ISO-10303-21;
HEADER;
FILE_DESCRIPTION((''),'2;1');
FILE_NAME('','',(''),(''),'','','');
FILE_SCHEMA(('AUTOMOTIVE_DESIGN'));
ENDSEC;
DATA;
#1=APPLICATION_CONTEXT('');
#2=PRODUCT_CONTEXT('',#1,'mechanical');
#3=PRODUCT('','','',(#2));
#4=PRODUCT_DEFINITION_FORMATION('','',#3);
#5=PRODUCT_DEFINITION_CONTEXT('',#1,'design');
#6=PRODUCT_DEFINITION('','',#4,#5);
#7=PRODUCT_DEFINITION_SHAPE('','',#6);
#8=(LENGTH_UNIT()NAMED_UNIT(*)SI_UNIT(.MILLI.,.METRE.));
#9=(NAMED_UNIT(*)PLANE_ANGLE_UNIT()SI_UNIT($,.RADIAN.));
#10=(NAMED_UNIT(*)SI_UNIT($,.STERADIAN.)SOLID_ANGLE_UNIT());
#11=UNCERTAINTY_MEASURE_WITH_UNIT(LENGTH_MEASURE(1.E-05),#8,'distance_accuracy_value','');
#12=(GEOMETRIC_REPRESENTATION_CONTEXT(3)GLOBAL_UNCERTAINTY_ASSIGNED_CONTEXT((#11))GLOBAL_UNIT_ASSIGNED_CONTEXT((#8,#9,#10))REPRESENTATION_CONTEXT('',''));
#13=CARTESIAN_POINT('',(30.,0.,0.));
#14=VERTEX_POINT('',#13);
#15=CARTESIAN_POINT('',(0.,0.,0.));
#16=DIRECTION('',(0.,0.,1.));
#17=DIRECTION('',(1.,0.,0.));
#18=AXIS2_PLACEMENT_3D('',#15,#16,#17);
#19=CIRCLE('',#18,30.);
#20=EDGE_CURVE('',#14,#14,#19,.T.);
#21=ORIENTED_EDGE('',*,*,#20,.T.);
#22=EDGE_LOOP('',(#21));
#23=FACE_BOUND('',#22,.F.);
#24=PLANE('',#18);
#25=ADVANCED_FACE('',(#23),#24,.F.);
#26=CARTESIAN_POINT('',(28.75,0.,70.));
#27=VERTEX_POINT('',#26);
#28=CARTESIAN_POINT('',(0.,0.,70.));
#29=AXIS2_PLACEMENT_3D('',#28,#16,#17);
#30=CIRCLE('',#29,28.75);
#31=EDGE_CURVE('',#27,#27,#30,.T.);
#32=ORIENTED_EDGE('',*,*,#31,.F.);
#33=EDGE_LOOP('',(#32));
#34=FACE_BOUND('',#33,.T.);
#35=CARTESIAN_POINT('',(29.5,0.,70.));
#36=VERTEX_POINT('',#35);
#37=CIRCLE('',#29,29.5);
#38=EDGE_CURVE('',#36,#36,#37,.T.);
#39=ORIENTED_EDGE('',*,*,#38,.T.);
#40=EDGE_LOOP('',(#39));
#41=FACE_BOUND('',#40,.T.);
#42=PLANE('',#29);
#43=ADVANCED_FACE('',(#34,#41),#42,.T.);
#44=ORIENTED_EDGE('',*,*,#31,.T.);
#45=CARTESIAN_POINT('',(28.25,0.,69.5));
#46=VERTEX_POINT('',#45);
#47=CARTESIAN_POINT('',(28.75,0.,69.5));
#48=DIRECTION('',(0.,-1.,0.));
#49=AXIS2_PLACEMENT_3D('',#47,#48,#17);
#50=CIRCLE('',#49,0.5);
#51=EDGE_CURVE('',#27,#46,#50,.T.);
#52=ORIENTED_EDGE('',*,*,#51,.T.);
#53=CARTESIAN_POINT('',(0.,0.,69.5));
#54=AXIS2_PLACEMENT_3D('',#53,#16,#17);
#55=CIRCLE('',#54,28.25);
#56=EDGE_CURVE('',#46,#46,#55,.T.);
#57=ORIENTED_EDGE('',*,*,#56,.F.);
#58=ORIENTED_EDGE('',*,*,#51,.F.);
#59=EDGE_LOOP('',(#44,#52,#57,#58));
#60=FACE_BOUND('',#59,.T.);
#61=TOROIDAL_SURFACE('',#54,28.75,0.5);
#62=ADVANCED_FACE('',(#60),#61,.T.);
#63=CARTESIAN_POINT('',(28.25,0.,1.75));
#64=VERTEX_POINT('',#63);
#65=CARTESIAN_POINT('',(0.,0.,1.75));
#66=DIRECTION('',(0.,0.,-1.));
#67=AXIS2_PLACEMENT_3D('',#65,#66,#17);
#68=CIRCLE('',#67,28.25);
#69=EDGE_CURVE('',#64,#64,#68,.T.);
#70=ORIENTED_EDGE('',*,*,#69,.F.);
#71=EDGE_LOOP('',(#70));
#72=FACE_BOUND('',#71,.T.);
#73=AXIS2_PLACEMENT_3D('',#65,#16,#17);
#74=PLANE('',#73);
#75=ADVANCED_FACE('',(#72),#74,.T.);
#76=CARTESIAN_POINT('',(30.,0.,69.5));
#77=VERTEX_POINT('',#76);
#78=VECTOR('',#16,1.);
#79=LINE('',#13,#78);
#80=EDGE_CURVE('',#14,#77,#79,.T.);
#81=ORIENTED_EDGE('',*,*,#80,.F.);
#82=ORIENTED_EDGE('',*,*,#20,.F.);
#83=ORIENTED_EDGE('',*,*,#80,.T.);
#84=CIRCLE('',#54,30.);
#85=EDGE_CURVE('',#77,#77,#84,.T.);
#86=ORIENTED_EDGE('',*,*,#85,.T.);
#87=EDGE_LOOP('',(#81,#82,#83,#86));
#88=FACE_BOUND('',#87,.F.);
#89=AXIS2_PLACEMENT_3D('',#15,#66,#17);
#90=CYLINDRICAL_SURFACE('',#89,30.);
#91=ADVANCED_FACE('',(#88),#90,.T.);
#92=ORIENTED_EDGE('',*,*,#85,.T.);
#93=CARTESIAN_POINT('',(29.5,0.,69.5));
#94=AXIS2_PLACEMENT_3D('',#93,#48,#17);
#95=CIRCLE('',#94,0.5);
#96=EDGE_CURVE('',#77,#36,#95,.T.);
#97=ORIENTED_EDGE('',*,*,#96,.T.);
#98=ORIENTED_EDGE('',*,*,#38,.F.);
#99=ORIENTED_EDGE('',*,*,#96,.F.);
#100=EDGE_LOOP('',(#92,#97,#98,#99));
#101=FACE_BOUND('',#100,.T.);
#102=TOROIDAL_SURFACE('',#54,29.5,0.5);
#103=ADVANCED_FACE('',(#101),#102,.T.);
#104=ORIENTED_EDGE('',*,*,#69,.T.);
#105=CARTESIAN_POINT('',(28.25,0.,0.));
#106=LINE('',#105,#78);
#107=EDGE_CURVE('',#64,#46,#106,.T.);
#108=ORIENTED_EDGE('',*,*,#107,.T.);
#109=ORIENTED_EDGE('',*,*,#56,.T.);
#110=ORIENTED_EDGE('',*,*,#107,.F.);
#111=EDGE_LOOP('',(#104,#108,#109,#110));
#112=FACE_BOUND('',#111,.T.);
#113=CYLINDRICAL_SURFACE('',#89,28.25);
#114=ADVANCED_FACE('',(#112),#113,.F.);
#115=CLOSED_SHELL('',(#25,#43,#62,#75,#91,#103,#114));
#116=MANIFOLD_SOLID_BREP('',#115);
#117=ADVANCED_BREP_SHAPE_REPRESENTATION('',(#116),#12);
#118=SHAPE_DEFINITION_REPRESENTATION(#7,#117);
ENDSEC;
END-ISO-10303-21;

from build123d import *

# Parameters (mm, degrees)
F0_R     = 30
F1_DEPTH = 70
F2_T     = -1.75
F3_R     = 0.5


with BuildPart() as f1:
    # F0 (on Top) → F1 (new body)
    with BuildSketch(Plane.XY):
        Circle(F0_R)
    extrude(amount=F1_DEPTH)

    # F2
    f2_openings = [f1.faces().sort_by_distance(p)[0] for p in [
        (0, 0, 70),
    ]]
    offset(amount=F2_T, openings=f2_openings)

    # F3
    f3_edges = [f1.edges().sort_by_distance(p)[0] for p in [
        (-30, 0, 70),
        (-28.25, 0, 70),
    ]]
    fillet(f3_edges, radius=F3_R)


solid = f1.part
